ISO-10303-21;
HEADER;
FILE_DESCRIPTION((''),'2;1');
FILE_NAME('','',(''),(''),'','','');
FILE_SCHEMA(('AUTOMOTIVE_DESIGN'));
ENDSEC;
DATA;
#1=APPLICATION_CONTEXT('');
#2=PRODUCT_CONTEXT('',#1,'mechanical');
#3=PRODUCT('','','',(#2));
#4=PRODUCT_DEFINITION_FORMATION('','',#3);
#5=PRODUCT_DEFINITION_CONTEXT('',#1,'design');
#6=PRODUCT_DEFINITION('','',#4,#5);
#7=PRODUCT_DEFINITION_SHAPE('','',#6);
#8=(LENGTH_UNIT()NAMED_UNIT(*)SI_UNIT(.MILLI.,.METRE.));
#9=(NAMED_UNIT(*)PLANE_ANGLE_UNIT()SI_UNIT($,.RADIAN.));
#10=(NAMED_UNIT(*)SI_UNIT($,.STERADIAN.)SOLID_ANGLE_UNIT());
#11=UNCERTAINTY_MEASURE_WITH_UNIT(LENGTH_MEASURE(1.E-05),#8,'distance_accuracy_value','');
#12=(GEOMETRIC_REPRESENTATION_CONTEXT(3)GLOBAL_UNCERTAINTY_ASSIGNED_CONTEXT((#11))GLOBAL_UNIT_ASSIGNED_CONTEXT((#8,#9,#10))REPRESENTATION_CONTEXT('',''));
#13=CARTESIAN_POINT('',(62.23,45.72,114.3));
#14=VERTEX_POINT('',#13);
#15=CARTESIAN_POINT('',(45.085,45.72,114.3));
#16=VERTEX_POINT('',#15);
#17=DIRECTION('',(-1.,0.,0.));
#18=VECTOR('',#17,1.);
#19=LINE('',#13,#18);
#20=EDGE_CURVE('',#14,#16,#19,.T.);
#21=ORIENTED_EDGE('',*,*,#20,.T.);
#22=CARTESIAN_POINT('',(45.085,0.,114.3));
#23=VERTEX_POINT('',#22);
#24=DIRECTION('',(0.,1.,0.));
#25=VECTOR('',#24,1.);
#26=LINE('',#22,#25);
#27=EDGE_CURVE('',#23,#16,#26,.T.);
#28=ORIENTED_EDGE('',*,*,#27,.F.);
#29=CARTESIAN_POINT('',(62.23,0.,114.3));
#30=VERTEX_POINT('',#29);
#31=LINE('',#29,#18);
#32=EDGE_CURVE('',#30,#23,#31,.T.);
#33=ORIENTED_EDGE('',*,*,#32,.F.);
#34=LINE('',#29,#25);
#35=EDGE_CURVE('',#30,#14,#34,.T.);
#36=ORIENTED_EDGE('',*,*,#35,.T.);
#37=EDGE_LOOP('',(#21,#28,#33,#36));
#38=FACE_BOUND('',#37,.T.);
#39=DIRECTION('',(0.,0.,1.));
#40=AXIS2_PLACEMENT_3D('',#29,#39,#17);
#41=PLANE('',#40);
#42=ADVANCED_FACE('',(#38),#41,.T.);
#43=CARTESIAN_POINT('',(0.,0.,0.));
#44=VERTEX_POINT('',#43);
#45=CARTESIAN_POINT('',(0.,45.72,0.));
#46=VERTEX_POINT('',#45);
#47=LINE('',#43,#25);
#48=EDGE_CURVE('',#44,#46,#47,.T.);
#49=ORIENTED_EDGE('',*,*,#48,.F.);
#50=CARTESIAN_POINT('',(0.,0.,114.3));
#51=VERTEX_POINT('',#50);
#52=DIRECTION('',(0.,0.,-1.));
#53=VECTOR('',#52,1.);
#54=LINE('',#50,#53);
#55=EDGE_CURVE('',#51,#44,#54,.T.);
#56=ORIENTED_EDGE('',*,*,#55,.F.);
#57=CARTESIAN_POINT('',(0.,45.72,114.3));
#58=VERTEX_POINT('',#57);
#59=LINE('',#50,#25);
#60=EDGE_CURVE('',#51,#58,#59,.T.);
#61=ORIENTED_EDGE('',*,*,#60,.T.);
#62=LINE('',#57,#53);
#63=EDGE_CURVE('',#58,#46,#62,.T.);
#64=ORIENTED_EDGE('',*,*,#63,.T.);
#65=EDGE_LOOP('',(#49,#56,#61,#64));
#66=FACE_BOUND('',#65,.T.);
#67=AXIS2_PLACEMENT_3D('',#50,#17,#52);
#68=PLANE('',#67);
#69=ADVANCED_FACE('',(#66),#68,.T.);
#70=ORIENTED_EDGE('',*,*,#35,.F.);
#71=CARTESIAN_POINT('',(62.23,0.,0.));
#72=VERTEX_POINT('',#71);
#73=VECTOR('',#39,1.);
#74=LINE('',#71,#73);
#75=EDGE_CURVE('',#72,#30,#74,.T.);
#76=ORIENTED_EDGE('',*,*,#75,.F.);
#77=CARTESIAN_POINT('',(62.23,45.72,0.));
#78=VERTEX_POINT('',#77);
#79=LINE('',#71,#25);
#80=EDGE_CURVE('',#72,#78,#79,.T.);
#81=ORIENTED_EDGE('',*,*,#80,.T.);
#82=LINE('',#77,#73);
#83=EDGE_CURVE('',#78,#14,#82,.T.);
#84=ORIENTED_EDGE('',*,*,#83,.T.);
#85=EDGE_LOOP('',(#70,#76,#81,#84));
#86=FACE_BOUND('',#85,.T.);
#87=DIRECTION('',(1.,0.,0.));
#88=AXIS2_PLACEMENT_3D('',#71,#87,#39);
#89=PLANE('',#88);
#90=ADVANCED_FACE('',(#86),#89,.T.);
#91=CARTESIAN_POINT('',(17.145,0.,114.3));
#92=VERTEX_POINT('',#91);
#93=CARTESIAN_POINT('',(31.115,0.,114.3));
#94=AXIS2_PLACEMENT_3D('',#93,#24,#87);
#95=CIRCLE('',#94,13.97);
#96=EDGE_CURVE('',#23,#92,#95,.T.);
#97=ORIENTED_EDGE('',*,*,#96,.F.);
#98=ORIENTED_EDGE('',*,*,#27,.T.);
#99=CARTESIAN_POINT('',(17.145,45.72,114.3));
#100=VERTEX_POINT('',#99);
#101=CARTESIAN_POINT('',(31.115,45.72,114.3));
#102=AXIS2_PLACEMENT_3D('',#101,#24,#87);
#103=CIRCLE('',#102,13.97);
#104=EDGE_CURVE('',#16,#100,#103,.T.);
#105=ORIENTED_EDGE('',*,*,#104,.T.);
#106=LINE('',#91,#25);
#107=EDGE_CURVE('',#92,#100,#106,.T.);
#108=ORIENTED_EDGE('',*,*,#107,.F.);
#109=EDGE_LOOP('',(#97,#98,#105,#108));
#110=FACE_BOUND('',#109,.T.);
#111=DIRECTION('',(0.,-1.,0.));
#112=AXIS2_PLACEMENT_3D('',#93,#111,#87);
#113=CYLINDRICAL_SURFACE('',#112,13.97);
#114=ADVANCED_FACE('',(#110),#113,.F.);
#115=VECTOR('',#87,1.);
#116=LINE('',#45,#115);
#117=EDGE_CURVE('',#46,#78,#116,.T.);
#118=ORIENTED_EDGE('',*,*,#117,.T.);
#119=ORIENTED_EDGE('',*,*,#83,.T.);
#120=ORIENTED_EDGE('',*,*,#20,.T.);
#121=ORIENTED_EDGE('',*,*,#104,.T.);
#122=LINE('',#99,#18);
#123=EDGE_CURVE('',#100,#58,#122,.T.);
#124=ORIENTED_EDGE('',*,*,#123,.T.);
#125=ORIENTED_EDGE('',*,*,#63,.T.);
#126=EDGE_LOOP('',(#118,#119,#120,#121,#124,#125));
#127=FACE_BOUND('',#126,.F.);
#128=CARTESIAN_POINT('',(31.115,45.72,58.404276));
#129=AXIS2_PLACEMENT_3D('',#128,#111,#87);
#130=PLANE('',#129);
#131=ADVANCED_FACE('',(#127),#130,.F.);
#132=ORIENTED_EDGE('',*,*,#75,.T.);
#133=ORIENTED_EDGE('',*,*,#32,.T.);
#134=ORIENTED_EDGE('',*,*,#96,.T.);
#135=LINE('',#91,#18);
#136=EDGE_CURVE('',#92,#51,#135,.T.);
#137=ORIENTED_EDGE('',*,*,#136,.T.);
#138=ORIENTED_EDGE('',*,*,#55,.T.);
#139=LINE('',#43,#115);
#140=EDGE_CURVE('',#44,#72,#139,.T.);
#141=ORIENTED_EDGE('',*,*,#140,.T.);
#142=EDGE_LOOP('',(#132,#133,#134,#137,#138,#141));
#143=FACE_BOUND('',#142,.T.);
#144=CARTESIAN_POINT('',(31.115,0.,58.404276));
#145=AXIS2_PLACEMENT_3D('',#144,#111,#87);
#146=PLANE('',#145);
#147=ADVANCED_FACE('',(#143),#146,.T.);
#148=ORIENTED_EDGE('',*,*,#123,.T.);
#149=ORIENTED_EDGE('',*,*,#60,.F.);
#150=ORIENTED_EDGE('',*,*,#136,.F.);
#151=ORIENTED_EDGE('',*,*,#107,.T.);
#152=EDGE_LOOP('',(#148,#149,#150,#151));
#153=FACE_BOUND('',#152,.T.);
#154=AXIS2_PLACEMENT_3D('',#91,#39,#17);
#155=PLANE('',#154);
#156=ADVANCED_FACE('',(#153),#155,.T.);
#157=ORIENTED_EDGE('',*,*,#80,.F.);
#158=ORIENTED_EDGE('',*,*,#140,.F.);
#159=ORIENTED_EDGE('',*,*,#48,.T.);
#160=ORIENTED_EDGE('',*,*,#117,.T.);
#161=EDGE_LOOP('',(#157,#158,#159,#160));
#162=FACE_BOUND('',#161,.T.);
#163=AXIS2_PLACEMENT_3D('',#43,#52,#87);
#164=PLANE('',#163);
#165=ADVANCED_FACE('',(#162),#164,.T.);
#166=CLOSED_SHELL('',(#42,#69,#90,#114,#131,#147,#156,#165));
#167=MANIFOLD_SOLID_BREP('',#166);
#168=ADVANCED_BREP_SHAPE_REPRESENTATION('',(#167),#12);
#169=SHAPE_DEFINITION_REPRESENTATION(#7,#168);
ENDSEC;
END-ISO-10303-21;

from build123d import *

# Parameters (mm, degrees)
F1_DEPTH = 45.72


with BuildPart() as f1:
    # F0 (on Front) → F1 (new body)
    with BuildSketch(Plane.XZ):
        with BuildLine():
            Line((0, 114.3), (0, 0))
            Line((0, 0), (62.23, 0))
            Line((62.23, 0), (62.23, 114.3))
            Line((62.23, 114.3), (45.085, 114.3))
            ThreePointArc((45.085, 114.3), (31.115, 100.33), (17.145, 114.3))
            Line((17.145, 114.3), (0, 114.3))
        make_face()
    extrude(amount=-F1_DEPTH)


solid = f1.part
